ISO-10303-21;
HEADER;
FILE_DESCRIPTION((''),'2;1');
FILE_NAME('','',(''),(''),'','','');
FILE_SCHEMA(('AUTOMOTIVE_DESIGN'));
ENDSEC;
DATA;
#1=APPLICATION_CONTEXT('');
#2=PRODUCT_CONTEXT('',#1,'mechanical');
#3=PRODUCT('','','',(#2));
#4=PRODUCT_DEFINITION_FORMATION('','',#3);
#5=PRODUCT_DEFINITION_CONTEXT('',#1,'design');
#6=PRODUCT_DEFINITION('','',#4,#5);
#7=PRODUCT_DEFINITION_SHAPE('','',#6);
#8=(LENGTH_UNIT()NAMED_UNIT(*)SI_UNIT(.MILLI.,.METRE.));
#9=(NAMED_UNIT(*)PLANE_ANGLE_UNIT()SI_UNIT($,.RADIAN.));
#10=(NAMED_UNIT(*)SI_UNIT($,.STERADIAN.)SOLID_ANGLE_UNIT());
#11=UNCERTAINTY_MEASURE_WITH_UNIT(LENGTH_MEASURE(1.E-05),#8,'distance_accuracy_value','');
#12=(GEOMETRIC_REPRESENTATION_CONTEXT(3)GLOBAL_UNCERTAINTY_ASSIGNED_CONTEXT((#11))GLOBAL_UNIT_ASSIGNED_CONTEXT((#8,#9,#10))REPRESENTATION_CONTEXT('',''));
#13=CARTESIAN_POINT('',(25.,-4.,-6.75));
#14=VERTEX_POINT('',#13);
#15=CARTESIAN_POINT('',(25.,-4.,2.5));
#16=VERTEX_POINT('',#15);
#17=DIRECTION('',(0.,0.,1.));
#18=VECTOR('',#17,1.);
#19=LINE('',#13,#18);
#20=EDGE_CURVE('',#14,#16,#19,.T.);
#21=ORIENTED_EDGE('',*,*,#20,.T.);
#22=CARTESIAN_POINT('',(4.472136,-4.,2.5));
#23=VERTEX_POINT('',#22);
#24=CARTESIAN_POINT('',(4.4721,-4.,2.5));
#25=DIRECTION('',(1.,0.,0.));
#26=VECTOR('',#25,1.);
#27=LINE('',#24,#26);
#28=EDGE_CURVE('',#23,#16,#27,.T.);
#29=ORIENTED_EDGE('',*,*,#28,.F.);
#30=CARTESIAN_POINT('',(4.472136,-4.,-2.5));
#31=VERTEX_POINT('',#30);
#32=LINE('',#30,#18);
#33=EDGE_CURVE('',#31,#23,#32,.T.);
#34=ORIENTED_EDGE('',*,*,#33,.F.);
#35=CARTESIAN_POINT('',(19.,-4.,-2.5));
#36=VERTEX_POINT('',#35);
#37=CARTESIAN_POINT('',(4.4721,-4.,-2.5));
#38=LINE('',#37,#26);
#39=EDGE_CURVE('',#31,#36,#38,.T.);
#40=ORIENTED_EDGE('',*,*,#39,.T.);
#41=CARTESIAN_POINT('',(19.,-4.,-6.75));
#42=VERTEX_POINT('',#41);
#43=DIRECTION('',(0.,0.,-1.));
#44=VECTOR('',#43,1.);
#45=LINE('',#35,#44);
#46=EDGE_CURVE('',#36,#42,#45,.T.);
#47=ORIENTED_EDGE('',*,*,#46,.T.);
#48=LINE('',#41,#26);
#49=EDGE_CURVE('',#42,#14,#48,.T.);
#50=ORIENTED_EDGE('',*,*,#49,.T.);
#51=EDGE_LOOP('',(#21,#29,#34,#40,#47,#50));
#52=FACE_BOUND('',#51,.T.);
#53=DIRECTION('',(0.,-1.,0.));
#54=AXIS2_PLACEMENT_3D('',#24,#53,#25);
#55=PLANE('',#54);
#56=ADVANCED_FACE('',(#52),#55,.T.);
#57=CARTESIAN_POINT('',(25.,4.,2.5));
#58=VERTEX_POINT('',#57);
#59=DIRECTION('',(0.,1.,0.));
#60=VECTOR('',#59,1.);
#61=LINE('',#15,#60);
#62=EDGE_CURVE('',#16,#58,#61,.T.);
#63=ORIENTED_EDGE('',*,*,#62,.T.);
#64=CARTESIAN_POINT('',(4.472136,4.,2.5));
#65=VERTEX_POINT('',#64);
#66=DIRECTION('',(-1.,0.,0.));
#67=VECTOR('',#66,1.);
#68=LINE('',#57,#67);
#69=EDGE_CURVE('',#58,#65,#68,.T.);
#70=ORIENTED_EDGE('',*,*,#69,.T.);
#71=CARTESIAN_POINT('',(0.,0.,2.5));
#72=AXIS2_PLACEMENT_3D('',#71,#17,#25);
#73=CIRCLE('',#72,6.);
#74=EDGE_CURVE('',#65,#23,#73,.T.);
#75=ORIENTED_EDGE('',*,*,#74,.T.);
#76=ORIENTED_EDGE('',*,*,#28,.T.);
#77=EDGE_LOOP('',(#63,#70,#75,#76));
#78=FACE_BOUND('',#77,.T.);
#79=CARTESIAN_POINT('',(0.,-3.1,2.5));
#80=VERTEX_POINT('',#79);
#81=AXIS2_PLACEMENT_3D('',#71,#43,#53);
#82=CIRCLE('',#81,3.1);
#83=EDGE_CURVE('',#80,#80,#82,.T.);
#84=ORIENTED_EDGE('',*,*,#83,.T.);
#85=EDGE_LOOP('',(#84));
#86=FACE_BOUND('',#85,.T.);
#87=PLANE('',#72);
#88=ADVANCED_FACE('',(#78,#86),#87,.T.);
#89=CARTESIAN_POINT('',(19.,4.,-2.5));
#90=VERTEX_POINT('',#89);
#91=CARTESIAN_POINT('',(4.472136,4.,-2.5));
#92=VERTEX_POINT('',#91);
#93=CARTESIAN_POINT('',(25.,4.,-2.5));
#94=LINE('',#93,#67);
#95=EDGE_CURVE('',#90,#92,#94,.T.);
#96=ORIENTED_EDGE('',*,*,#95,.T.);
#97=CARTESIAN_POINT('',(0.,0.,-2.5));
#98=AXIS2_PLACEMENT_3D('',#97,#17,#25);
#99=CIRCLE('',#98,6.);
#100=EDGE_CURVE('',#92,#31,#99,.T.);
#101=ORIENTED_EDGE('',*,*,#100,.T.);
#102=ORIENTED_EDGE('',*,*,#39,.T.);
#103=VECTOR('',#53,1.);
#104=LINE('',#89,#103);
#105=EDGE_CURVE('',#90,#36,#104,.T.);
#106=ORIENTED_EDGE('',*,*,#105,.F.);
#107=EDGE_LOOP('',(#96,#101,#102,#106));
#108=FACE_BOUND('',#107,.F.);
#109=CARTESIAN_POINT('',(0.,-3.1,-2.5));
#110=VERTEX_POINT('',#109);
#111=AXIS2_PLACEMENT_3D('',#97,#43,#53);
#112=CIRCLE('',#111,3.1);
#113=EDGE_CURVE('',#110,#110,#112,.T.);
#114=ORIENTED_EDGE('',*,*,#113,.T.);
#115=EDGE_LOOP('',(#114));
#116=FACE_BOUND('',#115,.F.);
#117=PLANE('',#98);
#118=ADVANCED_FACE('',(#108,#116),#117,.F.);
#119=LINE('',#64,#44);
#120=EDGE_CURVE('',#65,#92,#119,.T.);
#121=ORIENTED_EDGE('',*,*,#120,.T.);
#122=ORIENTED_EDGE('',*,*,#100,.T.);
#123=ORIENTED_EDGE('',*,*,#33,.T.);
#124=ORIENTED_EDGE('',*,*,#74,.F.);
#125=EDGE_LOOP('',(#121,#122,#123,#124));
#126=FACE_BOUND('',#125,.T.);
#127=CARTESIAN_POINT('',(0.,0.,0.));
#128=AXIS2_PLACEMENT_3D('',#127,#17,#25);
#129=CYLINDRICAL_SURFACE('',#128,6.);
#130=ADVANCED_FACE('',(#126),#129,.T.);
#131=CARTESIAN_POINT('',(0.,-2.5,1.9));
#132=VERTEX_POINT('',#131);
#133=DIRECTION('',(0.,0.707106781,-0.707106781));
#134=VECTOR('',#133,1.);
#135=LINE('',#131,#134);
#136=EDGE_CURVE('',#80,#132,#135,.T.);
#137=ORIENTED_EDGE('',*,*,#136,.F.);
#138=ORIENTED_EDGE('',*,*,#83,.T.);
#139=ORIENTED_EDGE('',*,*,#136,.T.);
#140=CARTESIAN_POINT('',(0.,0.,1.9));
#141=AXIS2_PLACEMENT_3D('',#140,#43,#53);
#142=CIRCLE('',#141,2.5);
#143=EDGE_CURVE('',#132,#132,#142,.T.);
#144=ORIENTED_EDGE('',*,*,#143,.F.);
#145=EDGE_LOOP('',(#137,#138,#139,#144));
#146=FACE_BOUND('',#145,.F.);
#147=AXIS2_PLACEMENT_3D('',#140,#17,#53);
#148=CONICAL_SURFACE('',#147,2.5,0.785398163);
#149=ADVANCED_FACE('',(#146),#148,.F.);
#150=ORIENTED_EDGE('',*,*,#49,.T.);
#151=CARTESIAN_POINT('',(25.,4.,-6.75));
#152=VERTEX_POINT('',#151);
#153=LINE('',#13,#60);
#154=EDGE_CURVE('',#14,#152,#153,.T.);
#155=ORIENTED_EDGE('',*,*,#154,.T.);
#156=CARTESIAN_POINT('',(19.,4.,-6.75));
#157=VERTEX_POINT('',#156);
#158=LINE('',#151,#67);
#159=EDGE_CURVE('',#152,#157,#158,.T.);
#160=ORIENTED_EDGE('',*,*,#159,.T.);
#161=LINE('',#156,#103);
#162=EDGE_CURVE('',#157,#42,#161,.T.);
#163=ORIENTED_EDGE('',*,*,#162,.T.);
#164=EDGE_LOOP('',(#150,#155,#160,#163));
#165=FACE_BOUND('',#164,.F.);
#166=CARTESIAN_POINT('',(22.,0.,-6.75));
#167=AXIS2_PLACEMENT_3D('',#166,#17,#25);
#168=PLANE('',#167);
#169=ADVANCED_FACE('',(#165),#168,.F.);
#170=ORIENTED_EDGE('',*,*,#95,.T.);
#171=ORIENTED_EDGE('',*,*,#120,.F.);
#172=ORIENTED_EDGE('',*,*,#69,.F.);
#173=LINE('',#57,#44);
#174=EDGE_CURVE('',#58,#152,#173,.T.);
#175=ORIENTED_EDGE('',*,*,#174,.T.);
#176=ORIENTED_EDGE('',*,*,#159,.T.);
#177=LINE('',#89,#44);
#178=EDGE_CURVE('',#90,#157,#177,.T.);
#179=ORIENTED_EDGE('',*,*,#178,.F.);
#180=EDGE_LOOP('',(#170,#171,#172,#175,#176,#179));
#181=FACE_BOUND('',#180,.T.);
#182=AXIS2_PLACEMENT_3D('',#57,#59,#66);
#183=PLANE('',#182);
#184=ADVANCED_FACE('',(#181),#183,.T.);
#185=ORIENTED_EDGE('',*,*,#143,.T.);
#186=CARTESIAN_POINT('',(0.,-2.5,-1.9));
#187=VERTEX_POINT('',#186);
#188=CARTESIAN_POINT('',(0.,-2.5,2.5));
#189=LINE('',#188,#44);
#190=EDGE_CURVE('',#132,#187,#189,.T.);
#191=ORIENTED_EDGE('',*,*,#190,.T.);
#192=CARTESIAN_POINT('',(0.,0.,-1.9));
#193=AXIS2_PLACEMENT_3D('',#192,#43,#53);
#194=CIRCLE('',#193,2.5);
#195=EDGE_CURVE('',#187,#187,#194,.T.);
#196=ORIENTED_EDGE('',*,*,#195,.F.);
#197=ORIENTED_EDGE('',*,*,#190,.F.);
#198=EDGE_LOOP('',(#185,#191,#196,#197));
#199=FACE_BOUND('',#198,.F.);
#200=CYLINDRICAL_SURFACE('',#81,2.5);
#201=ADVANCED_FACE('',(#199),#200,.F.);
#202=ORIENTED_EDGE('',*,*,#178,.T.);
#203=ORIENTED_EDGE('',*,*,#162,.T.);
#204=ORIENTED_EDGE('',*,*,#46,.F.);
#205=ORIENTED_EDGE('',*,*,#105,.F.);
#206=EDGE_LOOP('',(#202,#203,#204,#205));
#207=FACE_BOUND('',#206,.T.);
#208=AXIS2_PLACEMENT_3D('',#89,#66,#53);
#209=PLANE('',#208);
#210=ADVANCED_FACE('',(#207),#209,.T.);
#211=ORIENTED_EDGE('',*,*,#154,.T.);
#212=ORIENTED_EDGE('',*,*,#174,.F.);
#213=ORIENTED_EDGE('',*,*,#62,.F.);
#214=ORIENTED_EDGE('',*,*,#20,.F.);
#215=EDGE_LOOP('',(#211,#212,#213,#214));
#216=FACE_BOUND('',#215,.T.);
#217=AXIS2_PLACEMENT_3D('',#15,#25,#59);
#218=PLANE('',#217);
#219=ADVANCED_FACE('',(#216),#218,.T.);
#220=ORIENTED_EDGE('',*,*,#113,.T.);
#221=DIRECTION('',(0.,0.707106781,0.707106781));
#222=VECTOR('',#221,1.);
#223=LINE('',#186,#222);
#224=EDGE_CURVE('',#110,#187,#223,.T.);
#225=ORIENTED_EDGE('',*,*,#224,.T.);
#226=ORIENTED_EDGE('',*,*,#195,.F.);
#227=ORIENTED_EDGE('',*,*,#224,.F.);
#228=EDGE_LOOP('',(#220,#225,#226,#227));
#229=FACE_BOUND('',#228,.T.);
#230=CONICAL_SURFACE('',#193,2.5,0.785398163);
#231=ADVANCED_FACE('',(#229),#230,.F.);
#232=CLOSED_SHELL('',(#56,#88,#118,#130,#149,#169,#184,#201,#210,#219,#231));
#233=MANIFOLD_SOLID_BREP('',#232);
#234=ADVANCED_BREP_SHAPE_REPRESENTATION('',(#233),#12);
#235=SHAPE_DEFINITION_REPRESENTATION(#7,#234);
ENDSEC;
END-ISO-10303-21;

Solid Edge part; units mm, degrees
sketch "Sketch1" plane through (0, 0, 0) normal (0, 0, 1) x (1, 0, 0)
  circle A0 centre (0, 0) radius 6
  dimension "D1" = 12
extrude "Protrusion1" add sketch "Sketch1" along normal mid plane 5
hole "hole" at (0, 0, 2.5) direction (0, 0, -1) diameter 5 depth 30 tip angle 118 start chamfer 0.6 start chamfer angle 45 end chamfer 0.6 end chamfer angle 45
sketch "Sketch2" plane through (0, 0, 2.5) normal (0, 0, 1) x (-1, 0, 0)
  line L0 (-25, -4) -> (-4.4721, -4)
  line L1 (-4.4721, -4) -> (-4.4721, 4)
  line L2 (-4.4721, 4) -> (-25, 4)
  line L3 (-25, 4) -> (-25, -4)
  dimension "D1" = 8
  dimension "D2" = 25
extrude "Protrusion2" add sketch "Sketch2" against normal up to vertex (5 mm away)
sketch "Sketch3" plane through (12, 0, -2.5) normal (0, 0, -1) x (1, 0, 0)
  line L0 (13, 4) -> (13, -4)
  line L1 (13, -4) -> (7, -4)
  line L2 (7, -4) -> (7, 4)
  line L3 (7, 4) -> (13, 4)
  dimension "D1" = 6
extrude "ExtrudedProtrusion_4" add sketch "Sketch3" along normal blind 4.25
properties material "Polyethylene, low density"
